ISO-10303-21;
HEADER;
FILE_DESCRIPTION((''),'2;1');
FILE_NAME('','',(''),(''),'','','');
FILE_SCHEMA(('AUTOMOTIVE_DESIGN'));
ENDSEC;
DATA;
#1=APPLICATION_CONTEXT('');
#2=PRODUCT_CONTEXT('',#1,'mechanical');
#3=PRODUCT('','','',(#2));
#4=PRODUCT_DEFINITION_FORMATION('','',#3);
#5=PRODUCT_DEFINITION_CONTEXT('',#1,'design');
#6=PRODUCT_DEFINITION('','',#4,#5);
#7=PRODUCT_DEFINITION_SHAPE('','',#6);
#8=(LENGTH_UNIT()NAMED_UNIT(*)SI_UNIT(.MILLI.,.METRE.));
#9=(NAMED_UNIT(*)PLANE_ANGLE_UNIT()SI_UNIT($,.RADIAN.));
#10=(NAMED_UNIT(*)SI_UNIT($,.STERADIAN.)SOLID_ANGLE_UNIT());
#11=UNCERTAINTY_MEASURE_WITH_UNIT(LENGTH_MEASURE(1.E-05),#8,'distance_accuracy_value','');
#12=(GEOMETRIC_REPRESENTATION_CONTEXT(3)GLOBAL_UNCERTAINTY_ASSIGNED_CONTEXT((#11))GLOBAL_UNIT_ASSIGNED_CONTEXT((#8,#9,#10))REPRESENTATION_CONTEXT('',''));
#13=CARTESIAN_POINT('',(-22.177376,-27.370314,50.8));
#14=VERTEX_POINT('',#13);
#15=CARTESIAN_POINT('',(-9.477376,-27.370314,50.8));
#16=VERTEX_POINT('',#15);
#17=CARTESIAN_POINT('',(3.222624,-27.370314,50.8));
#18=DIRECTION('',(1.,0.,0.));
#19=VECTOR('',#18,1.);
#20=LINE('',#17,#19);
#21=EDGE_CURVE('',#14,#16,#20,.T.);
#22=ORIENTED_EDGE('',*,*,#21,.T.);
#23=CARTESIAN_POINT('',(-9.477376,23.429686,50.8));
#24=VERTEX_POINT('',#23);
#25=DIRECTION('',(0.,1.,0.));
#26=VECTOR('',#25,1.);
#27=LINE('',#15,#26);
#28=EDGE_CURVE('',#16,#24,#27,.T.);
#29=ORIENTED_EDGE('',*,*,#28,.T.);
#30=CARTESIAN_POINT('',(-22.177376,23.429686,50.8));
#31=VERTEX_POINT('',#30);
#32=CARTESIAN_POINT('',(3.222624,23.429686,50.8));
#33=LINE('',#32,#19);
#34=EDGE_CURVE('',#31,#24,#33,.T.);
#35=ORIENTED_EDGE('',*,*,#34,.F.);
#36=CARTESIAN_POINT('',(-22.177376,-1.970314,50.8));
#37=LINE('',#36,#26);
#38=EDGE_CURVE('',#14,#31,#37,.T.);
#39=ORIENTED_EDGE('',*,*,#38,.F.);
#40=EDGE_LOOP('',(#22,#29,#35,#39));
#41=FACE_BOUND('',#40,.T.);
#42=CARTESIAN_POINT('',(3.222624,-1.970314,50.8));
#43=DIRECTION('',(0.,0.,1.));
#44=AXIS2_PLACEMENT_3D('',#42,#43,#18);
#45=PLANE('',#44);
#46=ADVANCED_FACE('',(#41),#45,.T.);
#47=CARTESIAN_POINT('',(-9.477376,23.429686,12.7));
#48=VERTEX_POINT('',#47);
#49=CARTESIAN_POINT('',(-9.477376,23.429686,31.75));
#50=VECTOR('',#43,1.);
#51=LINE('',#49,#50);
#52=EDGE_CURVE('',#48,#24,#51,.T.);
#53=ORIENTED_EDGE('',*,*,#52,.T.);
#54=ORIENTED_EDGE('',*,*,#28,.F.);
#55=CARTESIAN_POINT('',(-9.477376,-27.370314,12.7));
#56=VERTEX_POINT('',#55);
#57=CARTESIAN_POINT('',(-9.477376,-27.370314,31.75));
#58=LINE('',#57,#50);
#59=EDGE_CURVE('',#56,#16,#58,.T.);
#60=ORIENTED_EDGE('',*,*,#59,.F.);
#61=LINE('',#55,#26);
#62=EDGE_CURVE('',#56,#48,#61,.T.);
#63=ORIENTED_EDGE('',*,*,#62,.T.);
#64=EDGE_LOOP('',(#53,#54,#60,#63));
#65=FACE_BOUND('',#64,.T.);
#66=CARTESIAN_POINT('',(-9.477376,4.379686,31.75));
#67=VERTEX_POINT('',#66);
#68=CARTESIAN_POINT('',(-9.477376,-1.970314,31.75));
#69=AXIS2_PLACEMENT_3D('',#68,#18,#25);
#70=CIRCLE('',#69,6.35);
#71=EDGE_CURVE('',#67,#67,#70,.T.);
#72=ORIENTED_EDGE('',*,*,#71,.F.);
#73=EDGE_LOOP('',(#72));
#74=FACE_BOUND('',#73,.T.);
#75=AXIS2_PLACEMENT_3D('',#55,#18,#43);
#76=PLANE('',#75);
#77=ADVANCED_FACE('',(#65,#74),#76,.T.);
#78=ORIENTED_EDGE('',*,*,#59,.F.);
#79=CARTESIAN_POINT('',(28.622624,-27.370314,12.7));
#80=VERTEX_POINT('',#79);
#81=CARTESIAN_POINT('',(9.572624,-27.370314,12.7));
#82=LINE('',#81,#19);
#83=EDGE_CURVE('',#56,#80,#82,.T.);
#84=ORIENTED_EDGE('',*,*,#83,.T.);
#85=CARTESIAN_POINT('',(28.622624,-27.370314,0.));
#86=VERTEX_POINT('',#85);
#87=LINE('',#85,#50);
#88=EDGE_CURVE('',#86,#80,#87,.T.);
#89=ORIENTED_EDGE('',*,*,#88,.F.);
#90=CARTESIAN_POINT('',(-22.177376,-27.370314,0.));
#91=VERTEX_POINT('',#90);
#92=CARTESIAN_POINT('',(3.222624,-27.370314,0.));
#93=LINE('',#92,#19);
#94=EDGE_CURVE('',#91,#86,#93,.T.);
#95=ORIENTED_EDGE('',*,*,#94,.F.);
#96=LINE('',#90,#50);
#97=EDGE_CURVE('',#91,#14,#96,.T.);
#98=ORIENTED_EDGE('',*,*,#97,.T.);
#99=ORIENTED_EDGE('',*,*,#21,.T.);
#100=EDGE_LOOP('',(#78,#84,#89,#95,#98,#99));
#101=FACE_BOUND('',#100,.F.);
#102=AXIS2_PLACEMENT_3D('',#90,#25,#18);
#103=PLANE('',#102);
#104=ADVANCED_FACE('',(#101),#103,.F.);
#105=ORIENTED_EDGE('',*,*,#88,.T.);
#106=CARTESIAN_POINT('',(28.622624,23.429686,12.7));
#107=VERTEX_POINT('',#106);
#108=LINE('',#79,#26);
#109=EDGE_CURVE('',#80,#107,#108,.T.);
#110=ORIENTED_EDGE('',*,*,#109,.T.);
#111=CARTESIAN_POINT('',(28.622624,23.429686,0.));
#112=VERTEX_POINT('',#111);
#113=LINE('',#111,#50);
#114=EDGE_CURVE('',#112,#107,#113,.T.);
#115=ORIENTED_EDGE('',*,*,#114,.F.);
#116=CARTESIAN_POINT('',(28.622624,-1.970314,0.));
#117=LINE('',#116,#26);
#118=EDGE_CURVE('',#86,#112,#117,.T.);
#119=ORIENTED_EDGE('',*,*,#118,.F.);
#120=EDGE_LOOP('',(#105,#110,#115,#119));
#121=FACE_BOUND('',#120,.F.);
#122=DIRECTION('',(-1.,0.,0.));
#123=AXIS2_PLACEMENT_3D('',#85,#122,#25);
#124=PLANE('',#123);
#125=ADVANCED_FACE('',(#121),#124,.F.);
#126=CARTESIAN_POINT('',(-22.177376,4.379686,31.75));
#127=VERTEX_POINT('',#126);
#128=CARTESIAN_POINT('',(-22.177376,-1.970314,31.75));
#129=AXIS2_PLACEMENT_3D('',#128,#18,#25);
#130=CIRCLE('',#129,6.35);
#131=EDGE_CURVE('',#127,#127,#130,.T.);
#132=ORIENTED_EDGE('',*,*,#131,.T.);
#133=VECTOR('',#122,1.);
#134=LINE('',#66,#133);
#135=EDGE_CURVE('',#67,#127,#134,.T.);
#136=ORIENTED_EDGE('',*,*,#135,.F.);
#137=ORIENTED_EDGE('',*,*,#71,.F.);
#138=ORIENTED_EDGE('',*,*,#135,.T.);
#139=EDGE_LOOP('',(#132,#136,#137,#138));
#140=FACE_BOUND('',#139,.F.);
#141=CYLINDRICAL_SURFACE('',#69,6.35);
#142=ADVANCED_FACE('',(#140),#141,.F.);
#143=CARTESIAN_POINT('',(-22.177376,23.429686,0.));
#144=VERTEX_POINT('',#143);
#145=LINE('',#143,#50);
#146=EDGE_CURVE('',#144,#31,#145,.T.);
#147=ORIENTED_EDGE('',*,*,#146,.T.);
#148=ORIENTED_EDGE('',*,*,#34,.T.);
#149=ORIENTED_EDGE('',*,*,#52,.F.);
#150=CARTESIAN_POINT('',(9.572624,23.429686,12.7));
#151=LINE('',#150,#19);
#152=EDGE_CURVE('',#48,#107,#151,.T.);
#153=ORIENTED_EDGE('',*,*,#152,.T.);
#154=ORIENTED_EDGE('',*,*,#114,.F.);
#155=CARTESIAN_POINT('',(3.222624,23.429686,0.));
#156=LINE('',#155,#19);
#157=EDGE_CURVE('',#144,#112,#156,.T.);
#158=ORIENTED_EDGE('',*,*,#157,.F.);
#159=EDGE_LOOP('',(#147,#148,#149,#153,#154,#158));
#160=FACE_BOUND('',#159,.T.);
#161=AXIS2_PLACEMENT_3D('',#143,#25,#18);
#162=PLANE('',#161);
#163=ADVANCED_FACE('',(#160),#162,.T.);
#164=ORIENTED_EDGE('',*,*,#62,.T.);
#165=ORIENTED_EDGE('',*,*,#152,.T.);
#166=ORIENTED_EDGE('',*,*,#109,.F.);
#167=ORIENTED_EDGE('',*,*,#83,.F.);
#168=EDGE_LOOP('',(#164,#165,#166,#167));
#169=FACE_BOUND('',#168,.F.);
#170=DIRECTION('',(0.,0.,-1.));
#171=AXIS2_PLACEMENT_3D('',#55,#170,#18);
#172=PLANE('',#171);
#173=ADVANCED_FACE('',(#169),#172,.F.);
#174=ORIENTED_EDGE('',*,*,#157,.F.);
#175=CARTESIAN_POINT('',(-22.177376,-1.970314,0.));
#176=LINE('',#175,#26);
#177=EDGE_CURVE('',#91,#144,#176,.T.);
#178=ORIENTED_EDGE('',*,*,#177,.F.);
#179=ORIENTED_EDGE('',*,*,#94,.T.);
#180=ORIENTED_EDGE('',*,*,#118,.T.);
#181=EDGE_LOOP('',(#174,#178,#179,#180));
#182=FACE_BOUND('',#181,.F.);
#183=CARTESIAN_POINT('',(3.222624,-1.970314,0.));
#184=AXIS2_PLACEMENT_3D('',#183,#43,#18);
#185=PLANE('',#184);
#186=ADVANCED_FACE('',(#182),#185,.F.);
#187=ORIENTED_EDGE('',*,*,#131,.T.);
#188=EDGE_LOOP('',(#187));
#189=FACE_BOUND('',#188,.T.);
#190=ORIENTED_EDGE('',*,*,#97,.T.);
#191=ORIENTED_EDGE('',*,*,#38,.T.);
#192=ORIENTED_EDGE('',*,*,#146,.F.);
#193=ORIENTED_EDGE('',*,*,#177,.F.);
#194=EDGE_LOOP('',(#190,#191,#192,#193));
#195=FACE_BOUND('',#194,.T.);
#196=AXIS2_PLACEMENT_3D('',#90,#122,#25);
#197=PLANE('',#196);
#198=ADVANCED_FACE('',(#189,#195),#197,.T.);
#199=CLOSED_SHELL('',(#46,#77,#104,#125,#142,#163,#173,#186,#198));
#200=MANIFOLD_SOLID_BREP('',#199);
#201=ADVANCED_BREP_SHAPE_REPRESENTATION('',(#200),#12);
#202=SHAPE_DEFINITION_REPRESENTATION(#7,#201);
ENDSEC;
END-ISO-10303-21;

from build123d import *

# Parameters (mm, degrees)
F0_W     = 50.8
F0_H     = 50.8
F1_DEPTH = 50.8
F2_W     = 38.1
F2_H     = 38.1
F3_DEPTH = 50.8
F4_R     = 6.35
F5_DEPTH = 25.4


with BuildPart() as f1:
    # F0 (on Top) → F1 (new body)
    with BuildSketch(Plane.XY):
        with Locations((3.222624, -1.970314)):
            Rectangle(F0_W, F0_H)
    extrude(amount=F1_DEPTH)

    # F2 (on face) → F3 (cut)
    with BuildSketch(Plane.XZ.offset(27.370314)):
        with Locations((9.572624, 31.75)):
            Rectangle(F2_W, F2_H)
    extrude(amount=-F3_DEPTH, mode=Mode.SUBTRACT)

    # F4 (on face) → F5 (cut)
    with BuildSketch(Plane.YZ.offset(-9.477376)):
        with Locations((-1.970314, 31.75)):
            Circle(F4_R)
    extrude(amount=-F5_DEPTH, mode=Mode.SUBTRACT)


solid = f1.part
